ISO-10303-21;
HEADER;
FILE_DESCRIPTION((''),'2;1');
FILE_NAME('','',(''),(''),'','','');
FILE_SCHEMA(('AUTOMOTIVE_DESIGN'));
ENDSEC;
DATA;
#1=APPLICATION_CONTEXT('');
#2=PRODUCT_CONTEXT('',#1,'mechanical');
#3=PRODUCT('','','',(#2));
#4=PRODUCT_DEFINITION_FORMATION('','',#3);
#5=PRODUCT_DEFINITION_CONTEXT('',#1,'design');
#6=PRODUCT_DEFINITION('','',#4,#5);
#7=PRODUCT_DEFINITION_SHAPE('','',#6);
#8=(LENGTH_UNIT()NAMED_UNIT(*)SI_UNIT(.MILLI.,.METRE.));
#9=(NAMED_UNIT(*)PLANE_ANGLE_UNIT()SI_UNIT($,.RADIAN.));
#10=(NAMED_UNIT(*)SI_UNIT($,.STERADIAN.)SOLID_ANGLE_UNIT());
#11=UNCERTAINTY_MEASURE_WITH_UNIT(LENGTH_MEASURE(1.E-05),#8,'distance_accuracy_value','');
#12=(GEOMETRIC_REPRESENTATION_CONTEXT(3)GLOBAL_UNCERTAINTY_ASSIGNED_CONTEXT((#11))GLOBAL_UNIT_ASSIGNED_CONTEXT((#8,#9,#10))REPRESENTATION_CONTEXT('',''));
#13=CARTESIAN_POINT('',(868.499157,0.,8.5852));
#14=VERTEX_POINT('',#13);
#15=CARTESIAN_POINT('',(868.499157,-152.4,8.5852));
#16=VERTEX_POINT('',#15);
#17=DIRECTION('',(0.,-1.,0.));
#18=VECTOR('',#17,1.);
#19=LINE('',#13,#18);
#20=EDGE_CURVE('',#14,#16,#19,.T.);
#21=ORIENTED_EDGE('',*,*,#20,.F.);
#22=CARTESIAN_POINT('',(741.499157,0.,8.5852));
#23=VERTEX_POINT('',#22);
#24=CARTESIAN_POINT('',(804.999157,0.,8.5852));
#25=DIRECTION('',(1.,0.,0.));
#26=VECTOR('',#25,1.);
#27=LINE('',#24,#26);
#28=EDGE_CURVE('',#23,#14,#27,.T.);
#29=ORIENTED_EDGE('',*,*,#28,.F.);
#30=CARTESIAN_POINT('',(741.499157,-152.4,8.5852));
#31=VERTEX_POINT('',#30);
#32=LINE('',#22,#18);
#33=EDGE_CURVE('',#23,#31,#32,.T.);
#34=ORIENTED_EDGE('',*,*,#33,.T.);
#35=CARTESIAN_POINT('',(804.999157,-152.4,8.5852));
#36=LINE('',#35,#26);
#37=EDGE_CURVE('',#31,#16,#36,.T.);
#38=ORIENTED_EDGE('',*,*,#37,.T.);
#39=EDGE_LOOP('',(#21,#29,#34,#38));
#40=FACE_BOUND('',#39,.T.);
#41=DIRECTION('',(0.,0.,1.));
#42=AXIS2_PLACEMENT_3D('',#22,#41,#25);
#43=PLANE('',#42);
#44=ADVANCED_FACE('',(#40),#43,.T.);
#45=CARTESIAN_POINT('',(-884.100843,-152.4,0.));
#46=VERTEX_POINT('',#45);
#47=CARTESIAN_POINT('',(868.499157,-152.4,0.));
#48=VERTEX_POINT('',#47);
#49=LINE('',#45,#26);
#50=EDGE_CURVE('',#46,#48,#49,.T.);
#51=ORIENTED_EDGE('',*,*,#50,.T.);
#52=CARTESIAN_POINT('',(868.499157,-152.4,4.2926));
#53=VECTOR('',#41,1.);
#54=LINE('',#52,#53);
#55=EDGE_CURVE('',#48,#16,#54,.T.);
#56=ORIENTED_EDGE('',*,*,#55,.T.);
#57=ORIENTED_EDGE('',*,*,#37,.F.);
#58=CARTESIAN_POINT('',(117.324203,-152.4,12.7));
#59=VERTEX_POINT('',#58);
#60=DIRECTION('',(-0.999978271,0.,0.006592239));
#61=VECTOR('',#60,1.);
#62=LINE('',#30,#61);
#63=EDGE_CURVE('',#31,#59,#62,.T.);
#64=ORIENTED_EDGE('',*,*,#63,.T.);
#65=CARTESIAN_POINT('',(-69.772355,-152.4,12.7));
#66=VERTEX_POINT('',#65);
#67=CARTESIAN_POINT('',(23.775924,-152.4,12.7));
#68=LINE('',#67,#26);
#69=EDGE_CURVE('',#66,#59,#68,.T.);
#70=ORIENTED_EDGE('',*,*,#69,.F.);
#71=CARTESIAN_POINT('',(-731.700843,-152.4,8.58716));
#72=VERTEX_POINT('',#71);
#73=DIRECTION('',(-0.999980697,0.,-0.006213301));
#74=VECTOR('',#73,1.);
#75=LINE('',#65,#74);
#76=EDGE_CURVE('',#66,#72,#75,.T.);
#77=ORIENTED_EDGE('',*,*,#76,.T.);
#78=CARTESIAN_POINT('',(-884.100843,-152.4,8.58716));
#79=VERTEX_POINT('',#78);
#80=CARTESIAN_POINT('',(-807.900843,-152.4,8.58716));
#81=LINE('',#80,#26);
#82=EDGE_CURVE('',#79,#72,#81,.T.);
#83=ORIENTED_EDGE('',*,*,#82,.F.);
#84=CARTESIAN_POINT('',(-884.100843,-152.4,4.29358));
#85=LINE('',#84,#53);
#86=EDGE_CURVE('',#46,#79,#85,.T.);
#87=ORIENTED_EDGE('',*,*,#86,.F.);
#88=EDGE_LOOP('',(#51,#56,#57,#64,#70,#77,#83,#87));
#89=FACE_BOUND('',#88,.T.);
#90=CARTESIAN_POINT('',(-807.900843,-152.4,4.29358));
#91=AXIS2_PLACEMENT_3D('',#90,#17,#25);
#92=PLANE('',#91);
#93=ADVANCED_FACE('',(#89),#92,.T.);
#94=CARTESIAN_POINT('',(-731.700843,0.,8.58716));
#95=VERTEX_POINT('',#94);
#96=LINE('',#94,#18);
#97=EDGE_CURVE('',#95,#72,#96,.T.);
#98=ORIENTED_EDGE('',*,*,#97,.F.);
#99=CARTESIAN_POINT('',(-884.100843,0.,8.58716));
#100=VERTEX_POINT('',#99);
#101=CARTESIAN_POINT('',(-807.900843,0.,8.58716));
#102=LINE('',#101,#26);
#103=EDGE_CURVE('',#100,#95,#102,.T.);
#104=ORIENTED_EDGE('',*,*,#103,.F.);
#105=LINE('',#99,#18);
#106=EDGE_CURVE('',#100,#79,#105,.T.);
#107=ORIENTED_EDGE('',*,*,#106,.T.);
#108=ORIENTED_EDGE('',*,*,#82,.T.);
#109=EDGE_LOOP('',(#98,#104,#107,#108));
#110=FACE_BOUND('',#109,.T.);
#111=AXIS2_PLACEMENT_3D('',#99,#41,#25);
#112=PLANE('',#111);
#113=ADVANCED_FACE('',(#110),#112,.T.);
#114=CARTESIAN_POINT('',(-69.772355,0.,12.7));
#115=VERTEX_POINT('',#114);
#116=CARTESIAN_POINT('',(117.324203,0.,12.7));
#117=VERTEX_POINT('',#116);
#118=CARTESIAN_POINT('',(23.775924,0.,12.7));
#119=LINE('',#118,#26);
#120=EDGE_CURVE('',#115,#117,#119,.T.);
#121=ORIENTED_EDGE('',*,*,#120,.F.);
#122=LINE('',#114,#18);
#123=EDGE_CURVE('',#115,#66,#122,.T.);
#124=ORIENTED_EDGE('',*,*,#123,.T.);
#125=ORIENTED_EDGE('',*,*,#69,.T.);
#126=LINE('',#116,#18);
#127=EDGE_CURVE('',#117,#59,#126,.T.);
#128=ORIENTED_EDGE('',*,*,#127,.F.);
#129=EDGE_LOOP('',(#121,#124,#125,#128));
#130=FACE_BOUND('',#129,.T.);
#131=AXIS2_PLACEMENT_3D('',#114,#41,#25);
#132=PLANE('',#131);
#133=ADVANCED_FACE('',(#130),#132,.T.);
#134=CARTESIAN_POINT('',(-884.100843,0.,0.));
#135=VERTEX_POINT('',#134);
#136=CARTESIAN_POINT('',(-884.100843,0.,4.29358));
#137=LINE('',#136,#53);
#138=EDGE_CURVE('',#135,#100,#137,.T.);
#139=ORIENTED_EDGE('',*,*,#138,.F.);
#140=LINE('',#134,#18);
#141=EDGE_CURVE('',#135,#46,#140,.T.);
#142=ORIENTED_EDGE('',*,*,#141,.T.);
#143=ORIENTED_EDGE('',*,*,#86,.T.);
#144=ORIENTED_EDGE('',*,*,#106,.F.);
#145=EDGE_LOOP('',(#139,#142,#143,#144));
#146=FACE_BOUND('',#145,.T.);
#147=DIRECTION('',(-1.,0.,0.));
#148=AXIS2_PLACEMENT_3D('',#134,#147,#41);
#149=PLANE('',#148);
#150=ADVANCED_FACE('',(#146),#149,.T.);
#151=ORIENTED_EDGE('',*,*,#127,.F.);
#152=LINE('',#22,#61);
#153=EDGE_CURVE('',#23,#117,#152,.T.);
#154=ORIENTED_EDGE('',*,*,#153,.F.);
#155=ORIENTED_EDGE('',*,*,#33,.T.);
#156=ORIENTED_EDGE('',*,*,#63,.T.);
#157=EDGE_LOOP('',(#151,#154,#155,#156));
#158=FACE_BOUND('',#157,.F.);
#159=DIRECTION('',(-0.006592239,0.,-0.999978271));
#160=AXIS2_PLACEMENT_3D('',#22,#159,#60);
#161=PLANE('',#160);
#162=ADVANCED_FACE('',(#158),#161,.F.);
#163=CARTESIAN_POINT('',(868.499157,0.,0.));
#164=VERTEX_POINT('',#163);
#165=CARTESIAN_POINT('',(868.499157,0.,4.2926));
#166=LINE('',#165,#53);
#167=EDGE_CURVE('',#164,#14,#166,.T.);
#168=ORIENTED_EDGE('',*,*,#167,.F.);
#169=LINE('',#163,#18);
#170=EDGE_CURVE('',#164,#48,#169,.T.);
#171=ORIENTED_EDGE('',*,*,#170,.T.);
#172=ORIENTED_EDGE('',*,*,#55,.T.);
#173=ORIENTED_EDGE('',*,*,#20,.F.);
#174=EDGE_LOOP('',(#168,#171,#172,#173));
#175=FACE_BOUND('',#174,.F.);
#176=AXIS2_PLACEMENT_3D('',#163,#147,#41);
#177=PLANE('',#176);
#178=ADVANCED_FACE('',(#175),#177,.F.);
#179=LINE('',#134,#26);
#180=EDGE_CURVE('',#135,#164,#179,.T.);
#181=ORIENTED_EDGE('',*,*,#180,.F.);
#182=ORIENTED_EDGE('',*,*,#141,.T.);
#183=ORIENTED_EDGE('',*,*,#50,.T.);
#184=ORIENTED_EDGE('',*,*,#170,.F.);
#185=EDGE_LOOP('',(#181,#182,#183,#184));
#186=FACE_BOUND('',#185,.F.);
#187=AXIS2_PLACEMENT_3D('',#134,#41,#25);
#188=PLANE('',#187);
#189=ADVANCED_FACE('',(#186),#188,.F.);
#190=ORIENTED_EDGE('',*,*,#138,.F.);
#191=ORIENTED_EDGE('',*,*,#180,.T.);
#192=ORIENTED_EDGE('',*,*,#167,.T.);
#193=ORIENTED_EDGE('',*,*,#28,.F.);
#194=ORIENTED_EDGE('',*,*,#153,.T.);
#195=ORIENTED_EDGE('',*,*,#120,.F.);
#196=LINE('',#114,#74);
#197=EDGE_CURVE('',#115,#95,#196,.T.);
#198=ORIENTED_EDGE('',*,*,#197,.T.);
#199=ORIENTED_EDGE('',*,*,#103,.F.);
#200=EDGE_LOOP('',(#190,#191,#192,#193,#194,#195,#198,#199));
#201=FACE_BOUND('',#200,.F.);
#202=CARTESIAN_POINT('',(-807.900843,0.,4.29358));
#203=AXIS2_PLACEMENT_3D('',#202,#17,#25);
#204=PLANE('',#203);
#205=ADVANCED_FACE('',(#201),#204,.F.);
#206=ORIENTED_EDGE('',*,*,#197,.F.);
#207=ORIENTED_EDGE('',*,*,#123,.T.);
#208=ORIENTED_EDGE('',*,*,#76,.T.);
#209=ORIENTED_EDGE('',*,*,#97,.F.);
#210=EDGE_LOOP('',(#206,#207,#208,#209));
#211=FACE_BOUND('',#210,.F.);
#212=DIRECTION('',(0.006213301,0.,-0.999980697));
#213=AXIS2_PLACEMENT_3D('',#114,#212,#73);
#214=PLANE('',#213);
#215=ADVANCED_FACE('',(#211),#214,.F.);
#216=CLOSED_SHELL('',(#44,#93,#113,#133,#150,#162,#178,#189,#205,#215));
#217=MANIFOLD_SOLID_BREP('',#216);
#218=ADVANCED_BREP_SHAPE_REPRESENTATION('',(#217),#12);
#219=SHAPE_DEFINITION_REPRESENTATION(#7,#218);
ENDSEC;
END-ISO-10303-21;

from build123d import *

# Parameters (mm, degrees)
F0_W     = 152.4
F0_H     = 8.58716
F0_W_2   = 187.096558
F0_H_2   = 12.7
F0_W_3   = 127
F0_H_3   = 8.5852
F1_DEPTH = 152.4


with BuildPart() as f1:
    # F0 (on Front) → F1 (new body)
    with BuildSketch(Plane.XZ):
        with Locations((-807.900843, 4.29358)):
            Rectangle(F0_W, F0_H)
        Polygon((-731.700843, 8.58716), (-731.700843, 0), (-69.772355, 0), (-69.772355, 12.7), align=None)
        with Locations((23.775924, 6.35)):
            Rectangle(F0_W_2, F0_H_2)
        Polygon((117.324203, 12.7), (117.324203, 0), (741.499157, 0), (741.499157, 8.5852), align=None)
        with Locations((804.999157, 4.2926)):
            Rectangle(F0_W_3, F0_H_3)
    extrude(amount=F1_DEPTH)


solid = f1.part
